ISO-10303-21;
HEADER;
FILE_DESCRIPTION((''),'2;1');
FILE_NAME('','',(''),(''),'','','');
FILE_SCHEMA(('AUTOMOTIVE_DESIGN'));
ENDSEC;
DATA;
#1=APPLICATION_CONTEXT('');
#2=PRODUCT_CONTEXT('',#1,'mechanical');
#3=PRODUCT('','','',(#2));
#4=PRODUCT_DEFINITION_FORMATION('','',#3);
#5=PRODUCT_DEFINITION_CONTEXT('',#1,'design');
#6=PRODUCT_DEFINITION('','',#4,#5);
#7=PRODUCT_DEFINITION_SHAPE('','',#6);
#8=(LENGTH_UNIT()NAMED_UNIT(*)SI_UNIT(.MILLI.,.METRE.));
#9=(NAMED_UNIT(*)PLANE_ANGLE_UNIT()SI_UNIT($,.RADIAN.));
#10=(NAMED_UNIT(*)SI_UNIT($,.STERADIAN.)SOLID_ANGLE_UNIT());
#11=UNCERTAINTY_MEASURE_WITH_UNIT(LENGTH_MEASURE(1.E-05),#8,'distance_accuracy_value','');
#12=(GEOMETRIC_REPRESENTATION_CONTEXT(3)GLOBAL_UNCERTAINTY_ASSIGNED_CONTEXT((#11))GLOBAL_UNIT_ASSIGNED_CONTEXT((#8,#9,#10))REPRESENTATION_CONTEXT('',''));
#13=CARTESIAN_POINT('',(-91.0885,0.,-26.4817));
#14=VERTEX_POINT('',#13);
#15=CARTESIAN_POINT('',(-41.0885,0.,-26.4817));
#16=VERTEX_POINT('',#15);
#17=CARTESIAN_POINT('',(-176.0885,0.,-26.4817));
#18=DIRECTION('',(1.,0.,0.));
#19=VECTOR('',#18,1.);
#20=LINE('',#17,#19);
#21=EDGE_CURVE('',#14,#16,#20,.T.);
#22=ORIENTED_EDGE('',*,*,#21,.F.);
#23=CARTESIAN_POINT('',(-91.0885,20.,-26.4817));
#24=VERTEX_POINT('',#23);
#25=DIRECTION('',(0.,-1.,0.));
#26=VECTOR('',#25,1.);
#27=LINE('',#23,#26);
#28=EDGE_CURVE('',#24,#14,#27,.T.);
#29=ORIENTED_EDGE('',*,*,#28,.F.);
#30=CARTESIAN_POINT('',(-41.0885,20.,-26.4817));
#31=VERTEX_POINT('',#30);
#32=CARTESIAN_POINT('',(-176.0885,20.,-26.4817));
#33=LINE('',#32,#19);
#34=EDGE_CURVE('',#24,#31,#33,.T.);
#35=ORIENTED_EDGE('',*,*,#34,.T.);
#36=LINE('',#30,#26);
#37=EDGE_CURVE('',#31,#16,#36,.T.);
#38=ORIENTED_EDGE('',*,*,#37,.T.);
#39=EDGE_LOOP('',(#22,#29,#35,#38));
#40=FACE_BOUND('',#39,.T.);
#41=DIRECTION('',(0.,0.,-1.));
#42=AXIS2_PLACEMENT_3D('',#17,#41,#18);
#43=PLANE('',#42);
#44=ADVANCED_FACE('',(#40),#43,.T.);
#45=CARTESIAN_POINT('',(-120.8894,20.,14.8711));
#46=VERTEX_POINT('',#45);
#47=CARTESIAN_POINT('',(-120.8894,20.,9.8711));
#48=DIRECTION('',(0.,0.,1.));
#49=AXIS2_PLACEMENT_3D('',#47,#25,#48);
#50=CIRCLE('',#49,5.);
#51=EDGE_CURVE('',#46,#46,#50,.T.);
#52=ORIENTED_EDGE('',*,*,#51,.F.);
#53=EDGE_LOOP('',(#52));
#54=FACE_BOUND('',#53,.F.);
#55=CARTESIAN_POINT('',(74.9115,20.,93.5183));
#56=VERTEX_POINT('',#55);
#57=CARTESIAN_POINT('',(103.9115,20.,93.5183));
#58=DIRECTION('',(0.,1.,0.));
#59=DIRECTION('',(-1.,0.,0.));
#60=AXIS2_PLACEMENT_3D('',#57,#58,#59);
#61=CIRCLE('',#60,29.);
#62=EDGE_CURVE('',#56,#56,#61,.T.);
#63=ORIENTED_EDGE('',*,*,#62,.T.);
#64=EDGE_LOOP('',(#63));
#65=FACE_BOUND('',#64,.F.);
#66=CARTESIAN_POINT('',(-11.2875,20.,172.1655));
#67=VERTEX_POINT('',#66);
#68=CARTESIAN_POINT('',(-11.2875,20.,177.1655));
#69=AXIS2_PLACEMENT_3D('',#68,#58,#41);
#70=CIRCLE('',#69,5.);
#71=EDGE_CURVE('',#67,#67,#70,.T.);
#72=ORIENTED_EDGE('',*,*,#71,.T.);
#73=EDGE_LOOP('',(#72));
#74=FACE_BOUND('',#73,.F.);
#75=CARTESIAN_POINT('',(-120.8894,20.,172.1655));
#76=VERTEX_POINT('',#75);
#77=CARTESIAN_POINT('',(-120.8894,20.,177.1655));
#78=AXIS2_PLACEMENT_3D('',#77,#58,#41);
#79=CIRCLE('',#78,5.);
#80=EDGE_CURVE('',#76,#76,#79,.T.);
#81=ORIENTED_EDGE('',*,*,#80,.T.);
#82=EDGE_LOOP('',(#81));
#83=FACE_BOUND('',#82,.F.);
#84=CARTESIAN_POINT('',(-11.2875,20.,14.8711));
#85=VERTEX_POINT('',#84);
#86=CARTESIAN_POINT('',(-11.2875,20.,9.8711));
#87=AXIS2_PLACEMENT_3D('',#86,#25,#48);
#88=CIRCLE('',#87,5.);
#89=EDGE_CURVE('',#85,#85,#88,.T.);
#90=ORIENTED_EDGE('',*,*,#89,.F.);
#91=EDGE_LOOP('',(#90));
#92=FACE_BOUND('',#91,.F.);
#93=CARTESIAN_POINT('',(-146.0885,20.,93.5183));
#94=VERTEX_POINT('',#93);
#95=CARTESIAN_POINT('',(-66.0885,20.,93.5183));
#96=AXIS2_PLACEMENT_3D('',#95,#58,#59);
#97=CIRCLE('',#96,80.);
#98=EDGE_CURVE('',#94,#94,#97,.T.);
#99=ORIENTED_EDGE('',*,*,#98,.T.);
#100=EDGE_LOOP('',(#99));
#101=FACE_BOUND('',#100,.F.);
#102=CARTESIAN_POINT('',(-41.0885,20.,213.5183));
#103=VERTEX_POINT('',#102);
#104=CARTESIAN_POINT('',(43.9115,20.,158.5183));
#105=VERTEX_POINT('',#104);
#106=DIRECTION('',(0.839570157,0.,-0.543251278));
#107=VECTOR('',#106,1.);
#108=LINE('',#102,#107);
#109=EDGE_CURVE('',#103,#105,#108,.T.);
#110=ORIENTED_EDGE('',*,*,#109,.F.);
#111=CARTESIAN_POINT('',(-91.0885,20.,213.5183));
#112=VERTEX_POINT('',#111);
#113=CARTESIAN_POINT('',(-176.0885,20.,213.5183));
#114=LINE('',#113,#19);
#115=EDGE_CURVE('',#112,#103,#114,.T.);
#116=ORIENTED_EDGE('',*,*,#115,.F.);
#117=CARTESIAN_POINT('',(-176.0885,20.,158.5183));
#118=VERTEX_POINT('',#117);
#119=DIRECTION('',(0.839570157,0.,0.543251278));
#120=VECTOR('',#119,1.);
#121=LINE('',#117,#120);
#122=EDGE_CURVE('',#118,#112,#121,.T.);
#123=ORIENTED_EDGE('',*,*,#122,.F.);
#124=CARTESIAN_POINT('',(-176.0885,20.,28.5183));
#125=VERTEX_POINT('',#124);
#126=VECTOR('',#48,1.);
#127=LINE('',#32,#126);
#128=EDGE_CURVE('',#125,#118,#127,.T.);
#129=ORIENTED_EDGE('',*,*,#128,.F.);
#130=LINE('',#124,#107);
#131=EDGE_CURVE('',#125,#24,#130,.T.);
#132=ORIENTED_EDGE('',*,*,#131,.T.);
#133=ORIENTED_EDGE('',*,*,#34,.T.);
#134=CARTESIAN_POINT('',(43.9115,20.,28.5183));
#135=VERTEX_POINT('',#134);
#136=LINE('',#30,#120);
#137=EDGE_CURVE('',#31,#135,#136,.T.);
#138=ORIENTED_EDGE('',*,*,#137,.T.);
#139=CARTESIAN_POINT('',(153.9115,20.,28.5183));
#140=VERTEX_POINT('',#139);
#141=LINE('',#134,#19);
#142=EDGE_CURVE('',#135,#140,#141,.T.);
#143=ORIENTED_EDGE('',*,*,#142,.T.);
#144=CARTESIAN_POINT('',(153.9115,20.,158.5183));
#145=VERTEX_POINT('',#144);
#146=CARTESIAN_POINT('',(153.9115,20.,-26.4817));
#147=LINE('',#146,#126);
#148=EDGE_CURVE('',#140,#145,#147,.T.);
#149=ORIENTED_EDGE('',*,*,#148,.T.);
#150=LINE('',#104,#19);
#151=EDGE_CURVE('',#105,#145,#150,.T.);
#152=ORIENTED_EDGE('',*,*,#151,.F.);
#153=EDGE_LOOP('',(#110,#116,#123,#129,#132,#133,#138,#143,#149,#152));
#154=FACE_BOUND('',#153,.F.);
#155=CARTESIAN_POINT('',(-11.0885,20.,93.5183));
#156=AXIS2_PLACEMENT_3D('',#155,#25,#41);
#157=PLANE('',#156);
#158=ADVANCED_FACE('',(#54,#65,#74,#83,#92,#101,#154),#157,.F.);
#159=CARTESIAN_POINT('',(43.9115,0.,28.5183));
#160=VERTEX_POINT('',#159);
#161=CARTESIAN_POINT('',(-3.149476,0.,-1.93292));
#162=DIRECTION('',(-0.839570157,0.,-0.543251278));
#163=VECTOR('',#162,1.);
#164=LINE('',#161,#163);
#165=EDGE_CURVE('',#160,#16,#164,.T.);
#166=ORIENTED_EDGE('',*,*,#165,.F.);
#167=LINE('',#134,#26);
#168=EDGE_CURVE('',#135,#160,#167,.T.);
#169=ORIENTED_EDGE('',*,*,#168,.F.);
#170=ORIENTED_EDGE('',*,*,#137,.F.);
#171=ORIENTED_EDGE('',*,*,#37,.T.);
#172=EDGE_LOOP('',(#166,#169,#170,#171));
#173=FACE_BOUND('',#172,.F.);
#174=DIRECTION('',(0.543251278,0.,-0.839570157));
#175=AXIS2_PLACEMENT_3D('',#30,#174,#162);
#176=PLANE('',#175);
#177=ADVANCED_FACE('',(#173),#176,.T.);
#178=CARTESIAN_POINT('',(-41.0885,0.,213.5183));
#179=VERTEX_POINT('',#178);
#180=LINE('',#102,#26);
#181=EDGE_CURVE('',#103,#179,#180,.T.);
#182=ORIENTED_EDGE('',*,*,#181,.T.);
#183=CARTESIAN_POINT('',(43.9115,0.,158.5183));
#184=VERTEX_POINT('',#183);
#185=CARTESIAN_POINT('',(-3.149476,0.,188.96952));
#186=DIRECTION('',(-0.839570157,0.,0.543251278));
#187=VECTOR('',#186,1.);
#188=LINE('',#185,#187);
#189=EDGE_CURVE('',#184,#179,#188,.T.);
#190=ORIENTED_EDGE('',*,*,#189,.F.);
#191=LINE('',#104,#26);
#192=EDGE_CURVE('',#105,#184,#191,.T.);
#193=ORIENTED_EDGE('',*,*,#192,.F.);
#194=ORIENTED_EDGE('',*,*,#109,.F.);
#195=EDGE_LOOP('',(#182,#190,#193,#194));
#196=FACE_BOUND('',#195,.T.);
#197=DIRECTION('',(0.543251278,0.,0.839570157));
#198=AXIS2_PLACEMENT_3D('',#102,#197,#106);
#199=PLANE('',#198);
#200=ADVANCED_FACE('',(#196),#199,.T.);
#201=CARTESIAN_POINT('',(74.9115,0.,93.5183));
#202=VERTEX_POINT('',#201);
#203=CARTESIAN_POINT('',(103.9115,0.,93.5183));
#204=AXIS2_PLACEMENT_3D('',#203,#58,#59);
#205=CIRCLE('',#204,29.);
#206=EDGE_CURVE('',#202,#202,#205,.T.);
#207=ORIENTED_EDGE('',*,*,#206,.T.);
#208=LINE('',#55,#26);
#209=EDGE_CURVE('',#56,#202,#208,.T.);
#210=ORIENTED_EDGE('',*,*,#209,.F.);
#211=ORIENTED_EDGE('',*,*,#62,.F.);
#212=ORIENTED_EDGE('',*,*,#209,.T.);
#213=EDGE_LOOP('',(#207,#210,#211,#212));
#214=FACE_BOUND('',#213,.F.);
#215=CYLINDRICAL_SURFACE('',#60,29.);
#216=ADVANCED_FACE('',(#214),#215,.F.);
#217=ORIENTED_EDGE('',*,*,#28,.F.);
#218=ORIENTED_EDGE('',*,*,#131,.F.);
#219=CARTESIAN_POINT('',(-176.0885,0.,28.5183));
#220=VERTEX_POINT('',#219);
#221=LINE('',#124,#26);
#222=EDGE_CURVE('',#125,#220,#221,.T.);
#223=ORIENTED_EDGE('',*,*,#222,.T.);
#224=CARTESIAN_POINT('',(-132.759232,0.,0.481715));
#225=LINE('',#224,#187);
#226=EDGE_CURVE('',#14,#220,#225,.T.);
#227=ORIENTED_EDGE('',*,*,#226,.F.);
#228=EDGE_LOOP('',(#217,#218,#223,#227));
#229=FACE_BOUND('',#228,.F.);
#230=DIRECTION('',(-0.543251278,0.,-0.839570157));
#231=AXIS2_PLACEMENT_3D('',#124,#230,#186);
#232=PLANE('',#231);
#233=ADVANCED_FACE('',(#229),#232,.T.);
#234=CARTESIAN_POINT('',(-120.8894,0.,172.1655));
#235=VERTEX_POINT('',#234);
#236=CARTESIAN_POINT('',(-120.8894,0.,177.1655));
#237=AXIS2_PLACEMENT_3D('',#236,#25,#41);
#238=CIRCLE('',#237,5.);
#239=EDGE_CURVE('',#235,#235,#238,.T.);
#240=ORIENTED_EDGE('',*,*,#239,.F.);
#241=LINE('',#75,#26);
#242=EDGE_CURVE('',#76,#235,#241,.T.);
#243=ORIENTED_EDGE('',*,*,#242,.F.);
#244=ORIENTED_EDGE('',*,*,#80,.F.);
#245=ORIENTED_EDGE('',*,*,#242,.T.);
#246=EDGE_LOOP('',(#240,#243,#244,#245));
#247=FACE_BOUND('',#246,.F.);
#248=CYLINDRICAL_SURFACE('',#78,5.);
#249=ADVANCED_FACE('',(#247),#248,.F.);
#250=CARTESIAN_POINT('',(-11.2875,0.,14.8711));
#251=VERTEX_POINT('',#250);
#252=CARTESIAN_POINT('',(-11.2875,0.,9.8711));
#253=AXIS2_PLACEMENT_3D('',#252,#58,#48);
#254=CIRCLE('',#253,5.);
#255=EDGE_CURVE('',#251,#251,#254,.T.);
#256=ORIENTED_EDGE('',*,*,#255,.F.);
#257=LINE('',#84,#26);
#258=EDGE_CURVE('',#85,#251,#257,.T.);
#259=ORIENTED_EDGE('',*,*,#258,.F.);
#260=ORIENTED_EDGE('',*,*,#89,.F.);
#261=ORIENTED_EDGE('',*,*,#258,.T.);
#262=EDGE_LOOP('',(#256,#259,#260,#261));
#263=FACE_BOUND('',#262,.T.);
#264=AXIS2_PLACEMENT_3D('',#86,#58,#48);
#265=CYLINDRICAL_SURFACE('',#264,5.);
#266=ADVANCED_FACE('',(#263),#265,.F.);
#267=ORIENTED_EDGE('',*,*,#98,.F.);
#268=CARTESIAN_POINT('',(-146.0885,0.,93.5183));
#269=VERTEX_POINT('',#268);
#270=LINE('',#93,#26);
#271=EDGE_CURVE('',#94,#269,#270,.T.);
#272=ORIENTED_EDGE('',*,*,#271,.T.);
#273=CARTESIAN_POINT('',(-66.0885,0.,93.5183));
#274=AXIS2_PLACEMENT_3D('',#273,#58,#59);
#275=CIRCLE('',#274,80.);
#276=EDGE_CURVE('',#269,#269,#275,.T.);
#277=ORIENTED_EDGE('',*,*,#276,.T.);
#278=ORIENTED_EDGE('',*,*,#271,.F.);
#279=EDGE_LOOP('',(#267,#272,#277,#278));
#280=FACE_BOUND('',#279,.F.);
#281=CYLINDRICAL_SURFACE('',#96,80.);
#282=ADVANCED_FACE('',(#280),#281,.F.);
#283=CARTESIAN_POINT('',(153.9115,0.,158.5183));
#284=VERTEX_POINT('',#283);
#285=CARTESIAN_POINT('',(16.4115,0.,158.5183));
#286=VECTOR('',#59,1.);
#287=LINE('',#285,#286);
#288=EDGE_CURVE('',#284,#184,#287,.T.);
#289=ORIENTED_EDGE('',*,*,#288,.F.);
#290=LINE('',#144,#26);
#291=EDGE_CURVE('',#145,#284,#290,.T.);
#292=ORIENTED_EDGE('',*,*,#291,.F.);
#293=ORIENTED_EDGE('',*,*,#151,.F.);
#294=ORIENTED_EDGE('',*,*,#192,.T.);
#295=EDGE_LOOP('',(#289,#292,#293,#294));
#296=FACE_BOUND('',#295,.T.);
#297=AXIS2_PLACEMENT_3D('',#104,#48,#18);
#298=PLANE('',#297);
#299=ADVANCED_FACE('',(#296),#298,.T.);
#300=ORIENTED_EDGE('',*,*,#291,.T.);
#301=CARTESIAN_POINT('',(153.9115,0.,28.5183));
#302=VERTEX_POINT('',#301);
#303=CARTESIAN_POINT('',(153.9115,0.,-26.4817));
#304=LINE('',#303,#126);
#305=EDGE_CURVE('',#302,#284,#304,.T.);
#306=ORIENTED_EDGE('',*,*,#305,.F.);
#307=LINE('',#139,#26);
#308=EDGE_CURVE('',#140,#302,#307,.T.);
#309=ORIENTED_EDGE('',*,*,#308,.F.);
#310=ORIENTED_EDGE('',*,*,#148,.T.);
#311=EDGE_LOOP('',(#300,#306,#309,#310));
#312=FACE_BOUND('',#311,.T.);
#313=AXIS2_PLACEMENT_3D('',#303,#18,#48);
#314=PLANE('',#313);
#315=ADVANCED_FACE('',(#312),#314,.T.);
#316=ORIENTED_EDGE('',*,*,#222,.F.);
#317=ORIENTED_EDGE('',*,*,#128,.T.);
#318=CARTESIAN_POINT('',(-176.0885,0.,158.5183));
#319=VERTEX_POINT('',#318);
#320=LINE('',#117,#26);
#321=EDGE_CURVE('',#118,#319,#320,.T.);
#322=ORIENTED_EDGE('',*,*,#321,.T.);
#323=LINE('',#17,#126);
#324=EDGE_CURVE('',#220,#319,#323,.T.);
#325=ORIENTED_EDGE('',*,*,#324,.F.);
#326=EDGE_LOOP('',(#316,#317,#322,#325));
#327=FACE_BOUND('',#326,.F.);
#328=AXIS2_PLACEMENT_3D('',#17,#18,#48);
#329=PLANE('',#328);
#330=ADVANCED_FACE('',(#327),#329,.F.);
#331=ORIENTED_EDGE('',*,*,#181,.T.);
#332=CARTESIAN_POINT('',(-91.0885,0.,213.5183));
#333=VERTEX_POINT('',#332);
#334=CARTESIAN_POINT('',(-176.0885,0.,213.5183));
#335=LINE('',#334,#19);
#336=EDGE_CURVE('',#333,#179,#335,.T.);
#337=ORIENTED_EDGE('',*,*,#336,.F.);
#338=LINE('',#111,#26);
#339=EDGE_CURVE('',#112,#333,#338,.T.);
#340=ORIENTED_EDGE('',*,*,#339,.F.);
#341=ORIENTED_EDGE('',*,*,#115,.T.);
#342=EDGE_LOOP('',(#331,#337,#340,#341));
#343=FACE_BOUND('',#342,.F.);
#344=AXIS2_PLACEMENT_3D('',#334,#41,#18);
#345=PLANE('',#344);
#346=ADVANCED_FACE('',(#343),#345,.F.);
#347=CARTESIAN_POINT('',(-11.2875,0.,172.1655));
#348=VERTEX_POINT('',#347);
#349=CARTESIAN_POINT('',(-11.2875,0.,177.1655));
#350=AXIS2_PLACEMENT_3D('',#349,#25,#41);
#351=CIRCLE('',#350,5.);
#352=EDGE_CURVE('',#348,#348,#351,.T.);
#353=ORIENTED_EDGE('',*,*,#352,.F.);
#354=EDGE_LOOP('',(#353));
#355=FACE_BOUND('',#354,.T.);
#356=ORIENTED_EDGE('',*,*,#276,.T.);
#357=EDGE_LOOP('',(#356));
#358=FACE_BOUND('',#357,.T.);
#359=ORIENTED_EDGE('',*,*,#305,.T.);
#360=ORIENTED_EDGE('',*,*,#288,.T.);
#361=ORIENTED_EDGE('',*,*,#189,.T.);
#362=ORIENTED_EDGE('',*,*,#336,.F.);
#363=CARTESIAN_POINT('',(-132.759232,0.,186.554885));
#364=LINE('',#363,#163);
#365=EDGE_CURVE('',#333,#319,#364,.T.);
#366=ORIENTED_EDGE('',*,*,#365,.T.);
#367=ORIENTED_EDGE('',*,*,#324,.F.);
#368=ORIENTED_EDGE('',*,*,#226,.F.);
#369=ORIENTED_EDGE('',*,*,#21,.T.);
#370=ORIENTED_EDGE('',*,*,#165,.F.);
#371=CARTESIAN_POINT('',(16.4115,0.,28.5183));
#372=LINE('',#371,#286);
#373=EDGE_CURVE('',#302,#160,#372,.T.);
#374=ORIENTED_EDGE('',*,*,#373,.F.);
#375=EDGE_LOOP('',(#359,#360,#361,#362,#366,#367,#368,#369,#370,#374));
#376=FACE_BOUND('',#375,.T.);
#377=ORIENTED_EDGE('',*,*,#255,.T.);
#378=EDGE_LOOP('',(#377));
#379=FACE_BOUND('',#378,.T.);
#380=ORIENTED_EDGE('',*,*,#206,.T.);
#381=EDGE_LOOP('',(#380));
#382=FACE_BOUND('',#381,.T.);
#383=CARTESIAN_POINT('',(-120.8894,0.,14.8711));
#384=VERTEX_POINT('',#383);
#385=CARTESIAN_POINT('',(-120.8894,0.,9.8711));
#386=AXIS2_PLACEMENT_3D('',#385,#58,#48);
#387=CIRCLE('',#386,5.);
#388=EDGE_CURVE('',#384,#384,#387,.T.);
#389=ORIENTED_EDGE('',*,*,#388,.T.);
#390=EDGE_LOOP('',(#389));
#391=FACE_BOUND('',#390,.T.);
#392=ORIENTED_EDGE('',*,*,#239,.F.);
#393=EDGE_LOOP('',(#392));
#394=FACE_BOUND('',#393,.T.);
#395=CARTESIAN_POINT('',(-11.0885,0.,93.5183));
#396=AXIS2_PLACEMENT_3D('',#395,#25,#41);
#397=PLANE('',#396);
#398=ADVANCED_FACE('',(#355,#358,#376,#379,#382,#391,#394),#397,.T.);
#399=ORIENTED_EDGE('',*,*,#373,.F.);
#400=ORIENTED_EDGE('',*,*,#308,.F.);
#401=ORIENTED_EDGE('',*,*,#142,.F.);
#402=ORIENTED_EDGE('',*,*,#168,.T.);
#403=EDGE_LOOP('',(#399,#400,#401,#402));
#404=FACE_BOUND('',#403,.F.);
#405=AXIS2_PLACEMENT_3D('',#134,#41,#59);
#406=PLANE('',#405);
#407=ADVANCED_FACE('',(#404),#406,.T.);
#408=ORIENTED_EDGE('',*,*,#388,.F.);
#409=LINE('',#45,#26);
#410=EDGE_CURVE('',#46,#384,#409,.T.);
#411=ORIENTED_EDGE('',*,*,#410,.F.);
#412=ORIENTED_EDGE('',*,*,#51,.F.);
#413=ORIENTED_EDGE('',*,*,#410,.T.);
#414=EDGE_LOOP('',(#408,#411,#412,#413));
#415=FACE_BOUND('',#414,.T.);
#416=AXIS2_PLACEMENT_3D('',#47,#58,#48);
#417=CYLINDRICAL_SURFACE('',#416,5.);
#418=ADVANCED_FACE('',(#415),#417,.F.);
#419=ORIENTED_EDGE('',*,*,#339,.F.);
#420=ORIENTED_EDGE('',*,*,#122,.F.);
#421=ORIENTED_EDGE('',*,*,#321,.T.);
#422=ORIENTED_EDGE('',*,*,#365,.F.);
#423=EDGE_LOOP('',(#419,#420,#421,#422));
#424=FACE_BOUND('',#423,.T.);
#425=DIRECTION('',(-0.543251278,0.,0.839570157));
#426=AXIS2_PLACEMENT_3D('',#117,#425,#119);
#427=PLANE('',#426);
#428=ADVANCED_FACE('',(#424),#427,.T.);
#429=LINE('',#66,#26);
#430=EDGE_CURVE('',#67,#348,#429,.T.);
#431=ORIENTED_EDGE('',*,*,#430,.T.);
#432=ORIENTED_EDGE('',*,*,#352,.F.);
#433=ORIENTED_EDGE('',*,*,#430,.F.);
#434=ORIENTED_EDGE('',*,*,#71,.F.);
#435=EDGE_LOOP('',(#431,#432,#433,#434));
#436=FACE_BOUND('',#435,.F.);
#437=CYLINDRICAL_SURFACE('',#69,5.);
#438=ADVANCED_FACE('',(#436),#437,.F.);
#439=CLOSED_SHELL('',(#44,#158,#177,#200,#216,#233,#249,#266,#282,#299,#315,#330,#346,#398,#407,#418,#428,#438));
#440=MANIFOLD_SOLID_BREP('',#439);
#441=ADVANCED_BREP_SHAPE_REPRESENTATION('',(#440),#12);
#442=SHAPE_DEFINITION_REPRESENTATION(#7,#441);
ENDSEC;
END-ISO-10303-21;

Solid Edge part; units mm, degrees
sketch "Sketch1" plane through (0, 0, 0) normal (0, -1, 0) x (1, 0, 0)
  line L0 (-176.0885, -26.4817) -> (153.9115, -26.4817)
  line L1 (153.9115, -26.4817) -> (153.9115, 213.5183)
  line L2 (-176.0885, 213.5183) -> (153.9115, 213.5183)
  line L3 (-176.0885, -26.4817) -> (-176.0885, 213.5183)
  dimension "D1" = 330
  dimension "D2" = 240
extrude "Protrusion1" add sketch "Sketch1" against normal blind 20
sketch "Sketch2" plane through (3.9115, 20, 48.5183) normal (0, 1, 0) x (-1, 0, 0)
  circle A0 centre (70, 45) radius 80
  dimension "D1" = 110
  dimension "D2" = 160
extrude "Cutout1" cut sketch "Sketch2" against normal through all
sketch "Sketch3" plane through (3.9115, 20, 38.5183) normal (0, 1, 0) x (-1, 0, 0)
  circle A0 centre (-100, 55) radius 29
  dimension "D1" = 50
  dimension "D2" = 58
extrude "Cutout2" cut sketch "Sketch3" against normal through all
sketch "Sketch4" plane through (3.9115, 20, 73.5183) normal (0, 1, 0) x (-1, 0, 0)
  line L0 (180, 85) -> (95, 140)
  line L1 (95, 140) -> (180, 140)
  line L2 (180, 140) -> (180, 85)
  line L3 (-150, 140) -> (-150, 85)
  line L4 (-40, 85) -> (-150, 85)
  line L5 (45, 140) -> (-40, 85)
  line L6 (-150, 140) -> (45, 140)
  dimension "D1" = 195
  dimension "D2" = 85
  dimension "D3" = 55
  dimension "D4" = 110
  dimension "D5" = 55
extrude "Cutout3" cut sketch "Sketch4" against normal through all
hole "Hole_9" at (-11.2875, 20, 9.8711) direction (0, -1, 0) diameter 10 end up to next
hole "Hole1" at (-120.8894, 20, 9.8711) direction (0, -1, 0) diameter 10 end up to next
mirror "Mirror1" about plane through (-73.5885, 5, 93.5183) normal (0, 0, 1) of "Cutout3", "Hole_9", "Hole1"
